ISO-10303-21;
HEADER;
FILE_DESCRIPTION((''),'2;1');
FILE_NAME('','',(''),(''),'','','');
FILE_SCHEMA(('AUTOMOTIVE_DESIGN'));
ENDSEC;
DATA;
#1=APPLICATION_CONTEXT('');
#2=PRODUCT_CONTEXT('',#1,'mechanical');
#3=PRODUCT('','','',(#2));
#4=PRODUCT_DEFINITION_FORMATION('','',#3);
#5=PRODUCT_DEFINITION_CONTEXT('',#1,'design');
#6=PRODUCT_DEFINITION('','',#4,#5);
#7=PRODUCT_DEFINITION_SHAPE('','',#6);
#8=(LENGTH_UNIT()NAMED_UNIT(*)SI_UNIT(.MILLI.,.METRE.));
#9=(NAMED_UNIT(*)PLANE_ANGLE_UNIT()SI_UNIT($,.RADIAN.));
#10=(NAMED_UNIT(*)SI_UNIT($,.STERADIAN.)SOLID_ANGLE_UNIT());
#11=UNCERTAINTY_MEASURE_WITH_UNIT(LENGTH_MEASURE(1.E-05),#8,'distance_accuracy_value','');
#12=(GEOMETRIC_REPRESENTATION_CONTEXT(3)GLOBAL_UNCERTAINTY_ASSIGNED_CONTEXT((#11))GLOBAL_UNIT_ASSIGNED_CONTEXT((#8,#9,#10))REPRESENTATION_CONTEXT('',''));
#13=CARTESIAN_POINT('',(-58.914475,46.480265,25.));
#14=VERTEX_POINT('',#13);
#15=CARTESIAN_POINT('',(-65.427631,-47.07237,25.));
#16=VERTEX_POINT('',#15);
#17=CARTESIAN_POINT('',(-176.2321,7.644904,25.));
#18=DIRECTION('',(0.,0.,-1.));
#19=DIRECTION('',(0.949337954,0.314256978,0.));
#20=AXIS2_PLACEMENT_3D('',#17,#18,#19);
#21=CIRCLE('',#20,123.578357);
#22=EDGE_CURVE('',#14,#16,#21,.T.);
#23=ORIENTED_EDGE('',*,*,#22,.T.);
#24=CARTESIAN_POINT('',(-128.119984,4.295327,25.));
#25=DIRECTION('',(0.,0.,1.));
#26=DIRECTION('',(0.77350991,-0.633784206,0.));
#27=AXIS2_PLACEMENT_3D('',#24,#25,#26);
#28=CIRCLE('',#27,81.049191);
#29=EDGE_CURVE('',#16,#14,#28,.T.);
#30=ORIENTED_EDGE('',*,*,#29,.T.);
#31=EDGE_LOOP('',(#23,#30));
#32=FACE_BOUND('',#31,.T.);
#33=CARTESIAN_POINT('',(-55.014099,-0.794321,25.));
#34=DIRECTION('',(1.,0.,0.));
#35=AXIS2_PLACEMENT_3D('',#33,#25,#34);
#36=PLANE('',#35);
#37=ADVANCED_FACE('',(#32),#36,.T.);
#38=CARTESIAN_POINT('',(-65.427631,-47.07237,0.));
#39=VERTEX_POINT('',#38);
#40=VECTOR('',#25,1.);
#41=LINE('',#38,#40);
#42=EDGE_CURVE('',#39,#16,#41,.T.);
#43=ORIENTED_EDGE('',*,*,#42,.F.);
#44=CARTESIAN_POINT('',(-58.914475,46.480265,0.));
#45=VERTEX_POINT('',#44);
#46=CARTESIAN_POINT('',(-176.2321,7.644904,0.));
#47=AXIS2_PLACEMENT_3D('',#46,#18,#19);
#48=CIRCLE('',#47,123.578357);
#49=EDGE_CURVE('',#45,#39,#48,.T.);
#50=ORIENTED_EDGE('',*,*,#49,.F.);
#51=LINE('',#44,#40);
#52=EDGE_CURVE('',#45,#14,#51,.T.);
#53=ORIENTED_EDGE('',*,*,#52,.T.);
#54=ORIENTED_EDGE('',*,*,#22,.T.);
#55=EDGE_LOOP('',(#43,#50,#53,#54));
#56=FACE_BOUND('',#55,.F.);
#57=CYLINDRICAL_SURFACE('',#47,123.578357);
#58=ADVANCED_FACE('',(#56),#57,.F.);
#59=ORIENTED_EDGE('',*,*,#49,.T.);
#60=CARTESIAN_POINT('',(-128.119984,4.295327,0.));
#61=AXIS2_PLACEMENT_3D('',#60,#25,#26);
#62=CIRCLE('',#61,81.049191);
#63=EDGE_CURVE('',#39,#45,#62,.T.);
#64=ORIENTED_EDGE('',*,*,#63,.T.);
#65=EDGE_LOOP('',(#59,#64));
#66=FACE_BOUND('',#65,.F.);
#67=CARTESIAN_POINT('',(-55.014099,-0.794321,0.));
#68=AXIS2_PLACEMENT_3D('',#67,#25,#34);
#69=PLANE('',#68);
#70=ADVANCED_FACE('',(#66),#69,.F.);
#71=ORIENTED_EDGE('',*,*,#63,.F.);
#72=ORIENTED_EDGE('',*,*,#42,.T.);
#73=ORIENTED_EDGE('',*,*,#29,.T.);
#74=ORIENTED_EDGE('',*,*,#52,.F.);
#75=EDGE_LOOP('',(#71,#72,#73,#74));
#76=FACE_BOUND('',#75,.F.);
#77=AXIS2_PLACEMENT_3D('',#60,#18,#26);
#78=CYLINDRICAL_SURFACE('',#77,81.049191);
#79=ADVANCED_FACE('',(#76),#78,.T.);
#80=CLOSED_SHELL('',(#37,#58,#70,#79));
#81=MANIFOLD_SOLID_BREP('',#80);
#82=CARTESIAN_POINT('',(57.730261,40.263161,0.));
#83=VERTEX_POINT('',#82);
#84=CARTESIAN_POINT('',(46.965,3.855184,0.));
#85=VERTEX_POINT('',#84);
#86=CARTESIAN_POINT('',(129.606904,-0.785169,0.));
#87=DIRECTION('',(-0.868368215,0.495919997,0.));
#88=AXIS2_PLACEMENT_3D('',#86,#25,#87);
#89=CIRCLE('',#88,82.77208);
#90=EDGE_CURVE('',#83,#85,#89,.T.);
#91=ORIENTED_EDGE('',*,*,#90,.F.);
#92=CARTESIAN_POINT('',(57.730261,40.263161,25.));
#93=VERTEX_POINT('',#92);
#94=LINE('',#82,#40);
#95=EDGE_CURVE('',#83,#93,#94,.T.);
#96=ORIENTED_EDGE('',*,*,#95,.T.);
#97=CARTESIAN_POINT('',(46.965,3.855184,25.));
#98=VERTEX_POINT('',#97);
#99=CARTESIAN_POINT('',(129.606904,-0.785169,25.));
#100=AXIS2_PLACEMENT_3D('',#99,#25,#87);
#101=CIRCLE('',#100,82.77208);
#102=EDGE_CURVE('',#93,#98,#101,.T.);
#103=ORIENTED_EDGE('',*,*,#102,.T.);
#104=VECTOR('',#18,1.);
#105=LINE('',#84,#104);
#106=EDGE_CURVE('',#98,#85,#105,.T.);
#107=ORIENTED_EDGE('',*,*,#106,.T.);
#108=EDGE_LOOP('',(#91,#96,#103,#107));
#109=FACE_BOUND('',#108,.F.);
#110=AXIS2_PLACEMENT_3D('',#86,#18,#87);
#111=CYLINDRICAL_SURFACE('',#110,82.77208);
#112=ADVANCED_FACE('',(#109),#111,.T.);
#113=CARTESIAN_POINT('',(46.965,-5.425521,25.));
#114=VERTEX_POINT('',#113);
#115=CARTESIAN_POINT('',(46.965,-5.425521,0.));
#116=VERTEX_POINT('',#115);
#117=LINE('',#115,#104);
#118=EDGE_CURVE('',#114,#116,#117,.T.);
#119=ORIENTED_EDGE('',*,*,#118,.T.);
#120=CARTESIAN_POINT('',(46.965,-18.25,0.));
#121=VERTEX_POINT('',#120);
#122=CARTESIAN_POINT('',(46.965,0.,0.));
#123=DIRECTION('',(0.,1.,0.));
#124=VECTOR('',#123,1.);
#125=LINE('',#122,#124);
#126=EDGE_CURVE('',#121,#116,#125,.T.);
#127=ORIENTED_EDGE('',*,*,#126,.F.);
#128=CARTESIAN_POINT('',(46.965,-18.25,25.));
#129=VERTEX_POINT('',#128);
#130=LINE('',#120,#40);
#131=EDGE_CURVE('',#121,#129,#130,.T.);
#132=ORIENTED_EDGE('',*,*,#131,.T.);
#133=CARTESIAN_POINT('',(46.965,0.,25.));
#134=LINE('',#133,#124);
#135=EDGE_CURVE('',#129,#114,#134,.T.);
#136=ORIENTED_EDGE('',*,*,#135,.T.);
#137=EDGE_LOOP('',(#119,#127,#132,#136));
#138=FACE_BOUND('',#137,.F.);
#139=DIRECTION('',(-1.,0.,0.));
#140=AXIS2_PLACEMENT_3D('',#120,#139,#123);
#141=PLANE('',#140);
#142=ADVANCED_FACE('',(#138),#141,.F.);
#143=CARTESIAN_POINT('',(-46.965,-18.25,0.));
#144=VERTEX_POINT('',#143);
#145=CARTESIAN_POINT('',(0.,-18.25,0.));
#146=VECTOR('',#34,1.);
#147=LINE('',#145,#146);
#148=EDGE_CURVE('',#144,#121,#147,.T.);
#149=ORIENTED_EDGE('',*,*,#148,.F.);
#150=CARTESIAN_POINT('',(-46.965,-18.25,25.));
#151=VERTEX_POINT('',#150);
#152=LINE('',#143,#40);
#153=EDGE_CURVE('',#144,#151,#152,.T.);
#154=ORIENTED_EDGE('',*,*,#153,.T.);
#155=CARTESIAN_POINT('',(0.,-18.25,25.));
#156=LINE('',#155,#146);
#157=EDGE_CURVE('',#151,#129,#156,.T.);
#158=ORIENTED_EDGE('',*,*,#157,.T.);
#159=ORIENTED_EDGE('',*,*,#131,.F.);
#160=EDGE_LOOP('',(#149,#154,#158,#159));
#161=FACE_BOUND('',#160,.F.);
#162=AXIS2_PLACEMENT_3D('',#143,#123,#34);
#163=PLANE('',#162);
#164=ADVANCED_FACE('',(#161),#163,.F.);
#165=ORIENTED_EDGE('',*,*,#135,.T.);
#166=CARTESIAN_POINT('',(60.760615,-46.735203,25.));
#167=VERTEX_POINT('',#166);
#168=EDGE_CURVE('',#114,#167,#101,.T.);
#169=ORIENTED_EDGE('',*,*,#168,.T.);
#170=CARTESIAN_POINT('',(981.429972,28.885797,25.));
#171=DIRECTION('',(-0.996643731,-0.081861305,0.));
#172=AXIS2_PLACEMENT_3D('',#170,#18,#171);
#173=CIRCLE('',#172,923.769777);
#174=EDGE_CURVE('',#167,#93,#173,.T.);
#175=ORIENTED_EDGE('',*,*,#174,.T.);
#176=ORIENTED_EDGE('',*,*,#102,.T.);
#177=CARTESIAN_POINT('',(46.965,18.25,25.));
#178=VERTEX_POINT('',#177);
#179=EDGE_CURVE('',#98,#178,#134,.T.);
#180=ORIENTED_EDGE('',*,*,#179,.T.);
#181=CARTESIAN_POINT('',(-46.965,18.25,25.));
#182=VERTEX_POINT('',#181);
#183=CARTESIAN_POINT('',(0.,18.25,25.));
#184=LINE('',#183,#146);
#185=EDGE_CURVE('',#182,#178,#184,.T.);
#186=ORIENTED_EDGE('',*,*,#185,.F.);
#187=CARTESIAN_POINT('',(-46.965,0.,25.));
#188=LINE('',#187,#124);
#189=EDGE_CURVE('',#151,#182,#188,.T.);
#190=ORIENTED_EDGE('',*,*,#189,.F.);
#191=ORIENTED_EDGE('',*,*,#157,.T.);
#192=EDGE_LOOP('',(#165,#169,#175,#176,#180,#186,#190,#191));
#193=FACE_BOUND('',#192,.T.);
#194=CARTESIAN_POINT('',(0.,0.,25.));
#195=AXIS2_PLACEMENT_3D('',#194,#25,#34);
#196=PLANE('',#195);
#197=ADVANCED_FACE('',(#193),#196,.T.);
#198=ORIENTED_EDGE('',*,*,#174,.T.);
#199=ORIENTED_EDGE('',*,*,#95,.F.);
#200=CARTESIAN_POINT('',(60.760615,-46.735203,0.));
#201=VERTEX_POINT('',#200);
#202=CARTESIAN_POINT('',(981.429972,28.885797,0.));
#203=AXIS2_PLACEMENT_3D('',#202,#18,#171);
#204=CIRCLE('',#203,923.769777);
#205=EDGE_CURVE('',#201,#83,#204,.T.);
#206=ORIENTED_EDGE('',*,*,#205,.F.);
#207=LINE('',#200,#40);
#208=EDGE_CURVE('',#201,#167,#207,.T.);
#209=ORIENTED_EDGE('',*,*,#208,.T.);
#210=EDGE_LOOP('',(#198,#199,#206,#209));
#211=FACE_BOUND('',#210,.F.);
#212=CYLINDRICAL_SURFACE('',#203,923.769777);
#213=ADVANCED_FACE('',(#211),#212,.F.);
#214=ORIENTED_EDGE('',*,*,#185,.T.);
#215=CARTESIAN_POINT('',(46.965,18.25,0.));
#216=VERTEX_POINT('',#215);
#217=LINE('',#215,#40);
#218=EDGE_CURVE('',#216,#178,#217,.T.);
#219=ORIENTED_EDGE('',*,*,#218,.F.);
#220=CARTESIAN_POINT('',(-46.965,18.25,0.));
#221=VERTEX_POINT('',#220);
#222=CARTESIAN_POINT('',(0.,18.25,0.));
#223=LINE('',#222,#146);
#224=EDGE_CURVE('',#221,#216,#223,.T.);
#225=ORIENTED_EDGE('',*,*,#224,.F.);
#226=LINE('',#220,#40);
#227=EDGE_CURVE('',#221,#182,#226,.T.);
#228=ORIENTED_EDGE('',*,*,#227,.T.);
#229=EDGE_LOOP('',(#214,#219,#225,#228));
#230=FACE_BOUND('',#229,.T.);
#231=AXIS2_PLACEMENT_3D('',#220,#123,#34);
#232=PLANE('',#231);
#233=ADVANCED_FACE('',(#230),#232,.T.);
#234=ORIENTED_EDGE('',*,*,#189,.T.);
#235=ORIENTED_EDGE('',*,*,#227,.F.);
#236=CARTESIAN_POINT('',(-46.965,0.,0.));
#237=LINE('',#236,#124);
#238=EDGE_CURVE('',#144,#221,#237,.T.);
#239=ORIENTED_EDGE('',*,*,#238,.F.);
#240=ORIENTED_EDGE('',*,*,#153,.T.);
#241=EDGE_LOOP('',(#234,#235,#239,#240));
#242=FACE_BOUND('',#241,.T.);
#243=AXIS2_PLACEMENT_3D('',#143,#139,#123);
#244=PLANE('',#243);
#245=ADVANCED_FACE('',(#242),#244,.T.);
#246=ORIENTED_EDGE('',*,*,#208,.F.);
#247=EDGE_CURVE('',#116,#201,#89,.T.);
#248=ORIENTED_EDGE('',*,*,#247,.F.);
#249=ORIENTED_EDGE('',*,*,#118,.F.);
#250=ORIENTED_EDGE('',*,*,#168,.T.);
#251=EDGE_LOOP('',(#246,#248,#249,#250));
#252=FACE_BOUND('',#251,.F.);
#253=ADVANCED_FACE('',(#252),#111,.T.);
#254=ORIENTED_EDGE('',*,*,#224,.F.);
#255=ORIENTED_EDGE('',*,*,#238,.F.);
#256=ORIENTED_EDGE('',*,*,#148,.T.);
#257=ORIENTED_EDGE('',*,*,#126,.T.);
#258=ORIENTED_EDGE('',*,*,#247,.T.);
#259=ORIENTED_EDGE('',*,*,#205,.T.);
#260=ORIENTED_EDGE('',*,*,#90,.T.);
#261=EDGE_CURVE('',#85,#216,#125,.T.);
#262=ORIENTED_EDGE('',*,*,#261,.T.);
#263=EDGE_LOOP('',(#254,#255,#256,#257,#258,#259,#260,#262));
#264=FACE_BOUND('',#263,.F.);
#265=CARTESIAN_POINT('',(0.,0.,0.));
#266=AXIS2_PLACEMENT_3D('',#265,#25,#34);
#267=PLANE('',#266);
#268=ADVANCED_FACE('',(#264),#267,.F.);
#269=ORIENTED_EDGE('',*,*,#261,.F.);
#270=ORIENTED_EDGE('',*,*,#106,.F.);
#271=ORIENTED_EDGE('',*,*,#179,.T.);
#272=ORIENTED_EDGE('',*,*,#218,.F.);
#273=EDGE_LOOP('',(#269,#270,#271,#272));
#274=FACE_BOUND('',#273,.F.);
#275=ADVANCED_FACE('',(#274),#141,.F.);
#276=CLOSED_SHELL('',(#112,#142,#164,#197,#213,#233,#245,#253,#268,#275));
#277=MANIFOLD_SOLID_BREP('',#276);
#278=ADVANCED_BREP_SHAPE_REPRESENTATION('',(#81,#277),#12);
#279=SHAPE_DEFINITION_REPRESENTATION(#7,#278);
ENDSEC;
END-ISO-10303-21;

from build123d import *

# Parameters (mm, degrees)
F2_DEPTH = 25
F0_W     = 93.93
F0_H     = 36.5
F3_DEPTH = 25


with BuildPart() as f2:
    # F1 (on Top) → F2 (new body)
    with BuildSketch(Plane.XY):
        with BuildLine():
            ThreePointArc((-58.914475, 46.480265), (-52.952149, -0.937875), (-65.427631, -47.07237))
            ThreePointArc((-65.427631, -47.07237), (-47.266503, -1.333711), (-58.914475, 46.480265))
        make_face()
        with BuildLine():
            ThreePointArc((60.760615, -46.735203), (58.220086, -3.271736), (57.730261, 40.263161))
            ThreePointArc((57.730261, 40.263161), (46.884992, -3.666564), (60.760615, -46.735203))
        make_face()
    extrude(amount=F2_DEPTH)

    # F0 (on Top) → F3 (join)
    with BuildSketch(Plane.XY):
        Rectangle(F0_W, F0_H)
    extrude(amount=F3_DEPTH)


solid = f2.part
